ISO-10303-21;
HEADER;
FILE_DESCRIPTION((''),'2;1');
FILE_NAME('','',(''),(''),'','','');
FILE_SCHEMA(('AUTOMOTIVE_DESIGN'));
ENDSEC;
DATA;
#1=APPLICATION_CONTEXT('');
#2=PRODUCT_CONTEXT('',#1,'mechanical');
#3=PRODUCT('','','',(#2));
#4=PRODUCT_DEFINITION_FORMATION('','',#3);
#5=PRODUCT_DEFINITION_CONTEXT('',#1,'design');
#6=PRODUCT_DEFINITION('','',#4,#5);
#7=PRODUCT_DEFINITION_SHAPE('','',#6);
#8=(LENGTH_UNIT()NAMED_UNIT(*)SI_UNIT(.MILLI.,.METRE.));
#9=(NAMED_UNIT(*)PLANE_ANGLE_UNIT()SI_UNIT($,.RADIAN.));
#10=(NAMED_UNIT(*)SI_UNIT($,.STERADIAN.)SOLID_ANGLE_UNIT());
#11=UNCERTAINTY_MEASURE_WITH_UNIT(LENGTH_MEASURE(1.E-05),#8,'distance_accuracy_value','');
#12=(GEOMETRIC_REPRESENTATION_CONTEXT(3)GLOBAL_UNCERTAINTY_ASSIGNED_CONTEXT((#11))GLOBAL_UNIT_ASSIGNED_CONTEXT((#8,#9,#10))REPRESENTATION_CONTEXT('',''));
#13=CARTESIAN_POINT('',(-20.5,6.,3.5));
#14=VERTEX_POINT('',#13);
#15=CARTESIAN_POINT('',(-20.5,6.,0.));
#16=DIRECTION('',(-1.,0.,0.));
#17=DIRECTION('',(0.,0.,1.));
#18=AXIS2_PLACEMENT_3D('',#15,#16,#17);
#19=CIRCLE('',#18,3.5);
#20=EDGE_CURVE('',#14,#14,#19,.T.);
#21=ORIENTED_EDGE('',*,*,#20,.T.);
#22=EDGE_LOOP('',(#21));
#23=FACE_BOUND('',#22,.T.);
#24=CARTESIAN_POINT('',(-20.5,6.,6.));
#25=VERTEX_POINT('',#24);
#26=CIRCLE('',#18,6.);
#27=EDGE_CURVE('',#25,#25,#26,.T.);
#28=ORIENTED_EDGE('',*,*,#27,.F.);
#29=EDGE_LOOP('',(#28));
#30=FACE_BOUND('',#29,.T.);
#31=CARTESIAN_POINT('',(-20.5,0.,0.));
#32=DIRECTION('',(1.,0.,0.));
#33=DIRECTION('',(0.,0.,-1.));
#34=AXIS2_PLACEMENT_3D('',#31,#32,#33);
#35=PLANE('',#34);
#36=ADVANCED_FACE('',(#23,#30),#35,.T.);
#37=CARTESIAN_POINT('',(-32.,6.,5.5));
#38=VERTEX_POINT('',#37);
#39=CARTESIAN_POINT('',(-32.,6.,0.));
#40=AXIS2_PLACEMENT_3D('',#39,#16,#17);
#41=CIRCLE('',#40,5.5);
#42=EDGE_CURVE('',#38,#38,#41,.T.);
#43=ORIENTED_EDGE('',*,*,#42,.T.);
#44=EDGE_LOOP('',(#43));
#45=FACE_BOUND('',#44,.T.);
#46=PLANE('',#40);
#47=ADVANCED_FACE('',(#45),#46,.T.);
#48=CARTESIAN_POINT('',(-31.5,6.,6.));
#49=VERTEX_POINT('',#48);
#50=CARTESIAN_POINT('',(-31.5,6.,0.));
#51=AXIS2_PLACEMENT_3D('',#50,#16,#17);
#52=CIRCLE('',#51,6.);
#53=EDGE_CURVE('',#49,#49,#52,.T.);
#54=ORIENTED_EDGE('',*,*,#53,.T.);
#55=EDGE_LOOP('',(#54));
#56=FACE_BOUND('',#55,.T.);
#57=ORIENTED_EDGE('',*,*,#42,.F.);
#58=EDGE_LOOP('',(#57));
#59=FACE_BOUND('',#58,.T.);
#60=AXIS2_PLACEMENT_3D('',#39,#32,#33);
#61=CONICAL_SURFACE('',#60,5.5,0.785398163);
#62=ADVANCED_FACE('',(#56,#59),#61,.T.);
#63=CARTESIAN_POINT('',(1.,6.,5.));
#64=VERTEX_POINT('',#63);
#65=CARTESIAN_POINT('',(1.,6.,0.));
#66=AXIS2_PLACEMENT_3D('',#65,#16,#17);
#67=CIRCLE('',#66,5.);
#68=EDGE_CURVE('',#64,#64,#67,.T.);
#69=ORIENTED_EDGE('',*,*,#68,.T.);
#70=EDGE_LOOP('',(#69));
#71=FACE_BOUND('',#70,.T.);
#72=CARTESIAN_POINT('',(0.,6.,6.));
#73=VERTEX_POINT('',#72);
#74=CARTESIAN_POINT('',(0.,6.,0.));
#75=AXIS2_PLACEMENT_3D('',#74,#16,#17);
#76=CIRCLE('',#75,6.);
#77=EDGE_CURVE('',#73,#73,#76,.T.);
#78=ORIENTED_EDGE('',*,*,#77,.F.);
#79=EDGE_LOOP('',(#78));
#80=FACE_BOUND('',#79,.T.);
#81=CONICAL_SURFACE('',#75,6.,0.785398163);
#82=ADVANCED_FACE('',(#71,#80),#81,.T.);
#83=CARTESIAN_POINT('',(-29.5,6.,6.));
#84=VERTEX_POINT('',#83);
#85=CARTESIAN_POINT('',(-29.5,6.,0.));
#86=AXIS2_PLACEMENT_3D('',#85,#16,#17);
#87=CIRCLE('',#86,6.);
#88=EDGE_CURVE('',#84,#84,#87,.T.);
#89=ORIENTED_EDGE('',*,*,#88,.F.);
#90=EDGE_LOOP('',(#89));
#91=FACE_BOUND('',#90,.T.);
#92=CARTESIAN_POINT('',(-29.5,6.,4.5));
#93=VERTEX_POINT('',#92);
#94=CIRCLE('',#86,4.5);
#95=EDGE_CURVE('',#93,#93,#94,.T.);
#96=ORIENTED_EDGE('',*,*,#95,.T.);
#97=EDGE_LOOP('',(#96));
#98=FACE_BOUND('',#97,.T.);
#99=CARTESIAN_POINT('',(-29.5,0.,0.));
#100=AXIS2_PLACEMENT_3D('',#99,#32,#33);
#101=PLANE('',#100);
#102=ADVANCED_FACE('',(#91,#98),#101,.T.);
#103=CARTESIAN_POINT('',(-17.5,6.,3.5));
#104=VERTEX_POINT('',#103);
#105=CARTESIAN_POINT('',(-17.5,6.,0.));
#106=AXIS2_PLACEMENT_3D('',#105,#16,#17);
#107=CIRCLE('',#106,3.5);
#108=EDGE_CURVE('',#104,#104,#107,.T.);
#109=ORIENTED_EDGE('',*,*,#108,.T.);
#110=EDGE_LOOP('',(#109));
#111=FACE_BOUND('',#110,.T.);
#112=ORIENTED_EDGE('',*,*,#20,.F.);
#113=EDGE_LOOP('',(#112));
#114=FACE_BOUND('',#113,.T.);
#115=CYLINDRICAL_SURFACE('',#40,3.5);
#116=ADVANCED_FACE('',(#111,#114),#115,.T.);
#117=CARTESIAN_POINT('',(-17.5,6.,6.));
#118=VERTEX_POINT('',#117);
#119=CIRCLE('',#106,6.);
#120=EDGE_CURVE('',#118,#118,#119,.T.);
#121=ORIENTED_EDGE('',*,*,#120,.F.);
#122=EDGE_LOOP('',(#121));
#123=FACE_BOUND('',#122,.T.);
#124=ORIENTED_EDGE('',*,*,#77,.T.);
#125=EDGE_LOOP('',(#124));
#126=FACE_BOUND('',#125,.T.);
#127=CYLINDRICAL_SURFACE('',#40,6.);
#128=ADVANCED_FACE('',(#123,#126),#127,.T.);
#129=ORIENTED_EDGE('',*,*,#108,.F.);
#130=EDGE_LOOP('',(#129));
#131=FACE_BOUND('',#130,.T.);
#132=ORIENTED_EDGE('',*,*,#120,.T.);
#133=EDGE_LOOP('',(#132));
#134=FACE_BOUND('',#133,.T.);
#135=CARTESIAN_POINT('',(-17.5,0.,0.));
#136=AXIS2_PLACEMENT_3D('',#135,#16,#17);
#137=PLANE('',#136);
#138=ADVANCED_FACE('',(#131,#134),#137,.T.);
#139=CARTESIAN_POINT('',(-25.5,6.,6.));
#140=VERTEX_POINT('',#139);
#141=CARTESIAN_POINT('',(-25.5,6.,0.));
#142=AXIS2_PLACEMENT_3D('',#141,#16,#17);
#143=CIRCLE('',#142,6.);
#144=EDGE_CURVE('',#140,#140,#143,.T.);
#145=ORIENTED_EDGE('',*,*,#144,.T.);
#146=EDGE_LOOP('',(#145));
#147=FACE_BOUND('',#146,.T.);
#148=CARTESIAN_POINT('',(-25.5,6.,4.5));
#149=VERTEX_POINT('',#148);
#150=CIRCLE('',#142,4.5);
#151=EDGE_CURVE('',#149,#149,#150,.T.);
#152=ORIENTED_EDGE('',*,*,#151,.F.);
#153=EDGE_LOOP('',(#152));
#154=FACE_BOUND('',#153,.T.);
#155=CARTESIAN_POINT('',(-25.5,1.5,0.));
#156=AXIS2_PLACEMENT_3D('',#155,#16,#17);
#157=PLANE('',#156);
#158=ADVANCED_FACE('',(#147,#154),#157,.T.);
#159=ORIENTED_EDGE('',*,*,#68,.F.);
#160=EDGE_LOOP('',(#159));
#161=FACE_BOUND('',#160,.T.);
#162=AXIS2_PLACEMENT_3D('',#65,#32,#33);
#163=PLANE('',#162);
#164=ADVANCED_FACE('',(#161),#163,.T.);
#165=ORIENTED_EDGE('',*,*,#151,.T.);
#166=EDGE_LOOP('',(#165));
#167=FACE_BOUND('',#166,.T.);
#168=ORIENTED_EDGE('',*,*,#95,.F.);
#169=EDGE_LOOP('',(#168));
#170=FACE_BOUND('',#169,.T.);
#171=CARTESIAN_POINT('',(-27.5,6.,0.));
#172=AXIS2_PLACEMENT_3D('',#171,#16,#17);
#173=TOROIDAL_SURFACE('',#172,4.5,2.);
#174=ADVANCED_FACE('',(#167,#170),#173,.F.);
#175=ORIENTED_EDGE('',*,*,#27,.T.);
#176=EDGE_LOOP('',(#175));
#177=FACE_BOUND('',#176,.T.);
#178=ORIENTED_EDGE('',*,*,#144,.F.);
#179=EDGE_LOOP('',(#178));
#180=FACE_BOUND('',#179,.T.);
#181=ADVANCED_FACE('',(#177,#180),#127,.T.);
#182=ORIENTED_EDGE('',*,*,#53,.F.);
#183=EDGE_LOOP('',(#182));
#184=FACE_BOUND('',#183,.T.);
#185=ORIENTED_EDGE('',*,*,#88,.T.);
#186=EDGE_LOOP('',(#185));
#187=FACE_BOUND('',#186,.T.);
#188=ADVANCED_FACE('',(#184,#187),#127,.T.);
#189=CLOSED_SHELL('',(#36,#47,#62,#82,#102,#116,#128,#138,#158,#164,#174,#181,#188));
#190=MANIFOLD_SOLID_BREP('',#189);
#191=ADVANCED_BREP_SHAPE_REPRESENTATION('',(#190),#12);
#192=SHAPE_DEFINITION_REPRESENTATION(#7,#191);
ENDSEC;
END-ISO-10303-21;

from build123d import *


with BuildPart() as part:
    # Esquisse1 → Révolution2 (revolve)
    with BuildSketch(Plane.XY, mode=Mode.PRIVATE) as r_volution2_sk:
        with BuildLine():
            Line((0, 0), (-17.5, 0))
            Line((-17.5, 0), (-17.5, 2.5))
            Line((-17.5, 2.5), (-20.5, 2.5))
            Line((-20.5, 2.5), (-20.5, 0))
            Line((-20.5, 0), (-25.5, 0))
            Line((-25.5, 0), (-25.5, 1.5))
            ThreePointArc((-25.5, 1.5), (-27.5, 3.5), (-29.5, 1.5))
            Line((-29.5, 1.5), (-29.5, 0))
            Line((-29.5, 0), (-31.5, 0))
            Line((-31.5, 0), (-32, 0.5))
            Line((-32, 0.5), (-32, 6))
            Line((-32, 6), (1, 6))
            Line((1, 6), (1, 1))
            Line((1, 1), (0, 0))
        make_face()
    revolve(r_volution2_sk.sketch.rotate(Axis((-32, 6, 0), (1, 0, 0)), 270), axis=Axis((-32, 6, 0), (1, 0, 0)))


solid = part.part
